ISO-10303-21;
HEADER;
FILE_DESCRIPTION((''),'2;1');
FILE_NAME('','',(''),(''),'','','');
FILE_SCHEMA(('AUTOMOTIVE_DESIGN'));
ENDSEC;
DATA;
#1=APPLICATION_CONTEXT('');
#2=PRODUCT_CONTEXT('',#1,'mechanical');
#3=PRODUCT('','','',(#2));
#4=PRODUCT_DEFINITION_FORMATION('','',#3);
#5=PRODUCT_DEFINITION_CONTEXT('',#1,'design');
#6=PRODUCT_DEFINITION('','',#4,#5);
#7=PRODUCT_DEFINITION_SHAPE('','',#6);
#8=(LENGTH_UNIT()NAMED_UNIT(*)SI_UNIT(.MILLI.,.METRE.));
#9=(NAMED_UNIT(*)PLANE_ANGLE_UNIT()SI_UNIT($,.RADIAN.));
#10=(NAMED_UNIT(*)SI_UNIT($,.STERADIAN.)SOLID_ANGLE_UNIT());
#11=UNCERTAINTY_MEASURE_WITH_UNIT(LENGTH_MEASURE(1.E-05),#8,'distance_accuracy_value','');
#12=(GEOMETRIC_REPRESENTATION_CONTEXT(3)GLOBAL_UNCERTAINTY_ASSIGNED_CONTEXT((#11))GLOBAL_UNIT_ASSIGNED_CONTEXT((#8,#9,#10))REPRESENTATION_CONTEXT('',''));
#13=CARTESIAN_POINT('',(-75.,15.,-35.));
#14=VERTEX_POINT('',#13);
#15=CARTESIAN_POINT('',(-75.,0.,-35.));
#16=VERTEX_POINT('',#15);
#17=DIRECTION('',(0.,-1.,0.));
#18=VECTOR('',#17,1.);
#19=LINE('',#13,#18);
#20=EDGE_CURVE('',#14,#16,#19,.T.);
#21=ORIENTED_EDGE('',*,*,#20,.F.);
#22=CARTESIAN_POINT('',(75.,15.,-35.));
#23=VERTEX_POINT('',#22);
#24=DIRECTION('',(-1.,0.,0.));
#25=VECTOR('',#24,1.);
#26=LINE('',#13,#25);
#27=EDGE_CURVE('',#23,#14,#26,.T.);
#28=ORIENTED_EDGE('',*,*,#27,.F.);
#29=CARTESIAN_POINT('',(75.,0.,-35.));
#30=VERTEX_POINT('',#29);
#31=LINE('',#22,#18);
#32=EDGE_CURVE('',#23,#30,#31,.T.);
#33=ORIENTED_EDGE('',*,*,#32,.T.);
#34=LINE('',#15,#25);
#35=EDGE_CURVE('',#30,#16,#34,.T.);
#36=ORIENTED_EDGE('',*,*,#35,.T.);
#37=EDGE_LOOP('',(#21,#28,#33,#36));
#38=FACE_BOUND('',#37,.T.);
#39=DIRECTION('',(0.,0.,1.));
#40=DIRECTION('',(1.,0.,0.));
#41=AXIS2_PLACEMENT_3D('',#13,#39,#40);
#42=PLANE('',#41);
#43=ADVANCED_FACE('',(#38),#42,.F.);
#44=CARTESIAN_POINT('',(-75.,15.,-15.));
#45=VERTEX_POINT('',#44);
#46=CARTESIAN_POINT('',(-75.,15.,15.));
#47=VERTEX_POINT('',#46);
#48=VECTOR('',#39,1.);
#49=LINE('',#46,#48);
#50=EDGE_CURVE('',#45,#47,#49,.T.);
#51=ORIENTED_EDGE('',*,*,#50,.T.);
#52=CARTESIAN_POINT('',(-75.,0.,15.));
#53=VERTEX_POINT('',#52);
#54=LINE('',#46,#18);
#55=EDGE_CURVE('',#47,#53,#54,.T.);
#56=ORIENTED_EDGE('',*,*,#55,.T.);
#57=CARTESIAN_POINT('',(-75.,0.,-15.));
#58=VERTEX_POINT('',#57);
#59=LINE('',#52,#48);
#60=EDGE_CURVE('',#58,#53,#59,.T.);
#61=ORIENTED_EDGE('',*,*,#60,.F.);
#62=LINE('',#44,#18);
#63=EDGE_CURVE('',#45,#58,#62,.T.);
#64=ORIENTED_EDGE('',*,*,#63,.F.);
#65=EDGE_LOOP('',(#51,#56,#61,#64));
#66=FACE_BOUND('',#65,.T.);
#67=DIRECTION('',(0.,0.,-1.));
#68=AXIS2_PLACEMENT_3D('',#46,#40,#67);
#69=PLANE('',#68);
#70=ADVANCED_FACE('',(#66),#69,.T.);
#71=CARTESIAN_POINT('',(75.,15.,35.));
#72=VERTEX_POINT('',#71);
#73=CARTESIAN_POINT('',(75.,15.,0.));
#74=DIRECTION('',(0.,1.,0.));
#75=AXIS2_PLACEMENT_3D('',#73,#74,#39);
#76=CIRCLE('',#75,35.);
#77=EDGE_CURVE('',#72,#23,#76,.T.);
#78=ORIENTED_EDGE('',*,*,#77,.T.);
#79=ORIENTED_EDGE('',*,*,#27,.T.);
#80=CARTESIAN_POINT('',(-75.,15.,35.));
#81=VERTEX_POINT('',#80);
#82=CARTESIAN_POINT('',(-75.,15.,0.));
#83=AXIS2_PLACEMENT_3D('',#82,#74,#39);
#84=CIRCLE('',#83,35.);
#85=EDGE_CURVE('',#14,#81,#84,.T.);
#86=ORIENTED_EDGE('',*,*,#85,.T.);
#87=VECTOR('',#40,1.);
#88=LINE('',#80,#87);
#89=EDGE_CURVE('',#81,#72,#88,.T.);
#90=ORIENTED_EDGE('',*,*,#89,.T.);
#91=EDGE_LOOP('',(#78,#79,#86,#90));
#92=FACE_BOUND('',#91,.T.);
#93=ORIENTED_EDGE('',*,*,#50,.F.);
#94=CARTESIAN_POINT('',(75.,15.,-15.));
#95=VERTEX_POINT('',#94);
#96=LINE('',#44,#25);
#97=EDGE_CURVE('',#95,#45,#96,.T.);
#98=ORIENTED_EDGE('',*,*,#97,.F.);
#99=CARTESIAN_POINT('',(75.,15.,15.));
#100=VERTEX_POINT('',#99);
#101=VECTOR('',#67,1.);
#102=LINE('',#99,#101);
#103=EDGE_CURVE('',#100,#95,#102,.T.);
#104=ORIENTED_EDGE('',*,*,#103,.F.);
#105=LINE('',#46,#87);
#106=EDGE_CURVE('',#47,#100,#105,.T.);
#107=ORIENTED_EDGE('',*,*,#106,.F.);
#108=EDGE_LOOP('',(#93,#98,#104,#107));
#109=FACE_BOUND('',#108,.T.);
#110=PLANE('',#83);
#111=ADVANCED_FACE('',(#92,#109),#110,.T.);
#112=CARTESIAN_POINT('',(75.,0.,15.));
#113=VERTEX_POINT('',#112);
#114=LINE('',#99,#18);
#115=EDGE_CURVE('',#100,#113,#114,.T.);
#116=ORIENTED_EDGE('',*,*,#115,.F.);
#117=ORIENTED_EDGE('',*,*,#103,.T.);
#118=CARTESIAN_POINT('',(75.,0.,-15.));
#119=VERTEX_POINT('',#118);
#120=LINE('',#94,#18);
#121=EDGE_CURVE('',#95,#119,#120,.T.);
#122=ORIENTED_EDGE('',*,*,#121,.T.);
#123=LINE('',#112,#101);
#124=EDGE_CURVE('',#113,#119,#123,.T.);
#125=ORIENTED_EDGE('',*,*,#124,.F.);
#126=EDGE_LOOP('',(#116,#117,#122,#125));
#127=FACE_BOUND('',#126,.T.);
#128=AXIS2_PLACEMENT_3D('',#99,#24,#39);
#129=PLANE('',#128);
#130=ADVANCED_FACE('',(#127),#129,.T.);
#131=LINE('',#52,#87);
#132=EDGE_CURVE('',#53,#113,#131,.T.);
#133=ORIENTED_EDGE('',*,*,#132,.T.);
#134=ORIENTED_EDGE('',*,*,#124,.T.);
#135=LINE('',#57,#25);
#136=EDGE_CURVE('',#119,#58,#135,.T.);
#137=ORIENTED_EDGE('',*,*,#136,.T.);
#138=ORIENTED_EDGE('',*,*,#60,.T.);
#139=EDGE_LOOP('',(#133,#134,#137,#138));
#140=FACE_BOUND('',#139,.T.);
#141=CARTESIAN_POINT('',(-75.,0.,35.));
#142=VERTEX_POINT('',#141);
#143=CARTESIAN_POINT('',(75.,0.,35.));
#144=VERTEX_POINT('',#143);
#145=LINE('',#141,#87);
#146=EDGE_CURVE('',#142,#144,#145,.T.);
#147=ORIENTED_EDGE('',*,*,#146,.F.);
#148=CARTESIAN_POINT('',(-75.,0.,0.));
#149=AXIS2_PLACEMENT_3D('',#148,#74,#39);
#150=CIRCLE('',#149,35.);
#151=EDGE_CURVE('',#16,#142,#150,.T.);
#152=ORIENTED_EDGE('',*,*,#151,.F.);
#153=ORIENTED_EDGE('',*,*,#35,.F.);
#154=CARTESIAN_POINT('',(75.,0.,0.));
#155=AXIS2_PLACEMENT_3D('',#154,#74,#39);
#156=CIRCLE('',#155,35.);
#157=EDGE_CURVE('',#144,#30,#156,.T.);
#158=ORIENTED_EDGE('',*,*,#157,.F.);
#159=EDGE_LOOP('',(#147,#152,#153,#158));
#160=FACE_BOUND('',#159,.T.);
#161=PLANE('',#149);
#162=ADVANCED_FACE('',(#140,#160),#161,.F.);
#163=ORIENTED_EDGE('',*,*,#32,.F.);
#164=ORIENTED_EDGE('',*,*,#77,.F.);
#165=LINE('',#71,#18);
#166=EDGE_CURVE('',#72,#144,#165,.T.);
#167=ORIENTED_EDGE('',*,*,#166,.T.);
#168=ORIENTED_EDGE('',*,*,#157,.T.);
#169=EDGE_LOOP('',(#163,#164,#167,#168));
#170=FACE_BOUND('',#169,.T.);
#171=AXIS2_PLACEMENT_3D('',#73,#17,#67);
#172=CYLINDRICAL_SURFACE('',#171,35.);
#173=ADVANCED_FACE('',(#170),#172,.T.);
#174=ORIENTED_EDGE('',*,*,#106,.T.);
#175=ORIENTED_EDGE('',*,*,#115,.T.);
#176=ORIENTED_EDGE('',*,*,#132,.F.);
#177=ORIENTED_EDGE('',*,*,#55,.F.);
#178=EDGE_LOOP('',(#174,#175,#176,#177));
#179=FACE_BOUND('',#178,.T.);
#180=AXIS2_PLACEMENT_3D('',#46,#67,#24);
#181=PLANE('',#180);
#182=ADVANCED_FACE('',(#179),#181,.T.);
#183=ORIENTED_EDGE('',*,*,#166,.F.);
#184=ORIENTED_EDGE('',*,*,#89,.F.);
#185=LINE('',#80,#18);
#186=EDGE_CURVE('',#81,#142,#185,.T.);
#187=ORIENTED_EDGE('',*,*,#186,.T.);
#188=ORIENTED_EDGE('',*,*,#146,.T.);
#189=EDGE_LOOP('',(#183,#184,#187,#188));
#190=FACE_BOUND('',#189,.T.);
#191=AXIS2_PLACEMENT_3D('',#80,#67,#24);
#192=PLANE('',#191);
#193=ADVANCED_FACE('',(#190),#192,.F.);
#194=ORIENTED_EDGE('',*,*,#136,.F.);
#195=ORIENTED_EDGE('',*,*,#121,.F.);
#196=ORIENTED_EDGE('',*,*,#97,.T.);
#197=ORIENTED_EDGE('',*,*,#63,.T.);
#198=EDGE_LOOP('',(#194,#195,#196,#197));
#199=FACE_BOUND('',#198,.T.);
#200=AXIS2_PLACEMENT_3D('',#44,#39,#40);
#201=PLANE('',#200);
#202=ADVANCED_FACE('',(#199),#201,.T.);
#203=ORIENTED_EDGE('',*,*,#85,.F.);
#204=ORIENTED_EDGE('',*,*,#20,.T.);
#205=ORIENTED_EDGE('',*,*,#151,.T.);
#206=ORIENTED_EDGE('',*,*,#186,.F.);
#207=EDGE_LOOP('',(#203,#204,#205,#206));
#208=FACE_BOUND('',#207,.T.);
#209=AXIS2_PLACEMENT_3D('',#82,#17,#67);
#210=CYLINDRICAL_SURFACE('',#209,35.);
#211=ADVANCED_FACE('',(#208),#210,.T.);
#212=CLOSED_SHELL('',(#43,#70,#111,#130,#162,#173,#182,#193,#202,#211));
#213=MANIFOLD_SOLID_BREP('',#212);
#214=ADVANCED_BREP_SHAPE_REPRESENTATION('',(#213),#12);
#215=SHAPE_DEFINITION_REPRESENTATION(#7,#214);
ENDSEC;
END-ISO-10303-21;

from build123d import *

# Parameters (mm, degrees)
SKETCH1_W           = 150
SKETCH1_H           = 30
BOSS_EXTRUDE1_DEPTH = 15


with BuildPart() as part:
    # Sketch1 → Boss-Extrude1 (new body)
    with BuildSketch(Plane(origin=(0, 0, 0), x_dir=(1, 0, 0), z_dir=(0, 1, 0))):
        with BuildLine():
            Line((-75, 35), (75, 35))
            ThreePointArc((75, 35), (110, 0), (75, -35))
            Line((75, -35), (-75, -35))
            ThreePointArc((-75, -35), (-110, 0), (-75, 35))
        make_face()
        Rectangle(SKETCH1_W, SKETCH1_H, mode=Mode.SUBTRACT)
    extrude(amount=BOSS_EXTRUDE1_DEPTH)


solid = part.part
